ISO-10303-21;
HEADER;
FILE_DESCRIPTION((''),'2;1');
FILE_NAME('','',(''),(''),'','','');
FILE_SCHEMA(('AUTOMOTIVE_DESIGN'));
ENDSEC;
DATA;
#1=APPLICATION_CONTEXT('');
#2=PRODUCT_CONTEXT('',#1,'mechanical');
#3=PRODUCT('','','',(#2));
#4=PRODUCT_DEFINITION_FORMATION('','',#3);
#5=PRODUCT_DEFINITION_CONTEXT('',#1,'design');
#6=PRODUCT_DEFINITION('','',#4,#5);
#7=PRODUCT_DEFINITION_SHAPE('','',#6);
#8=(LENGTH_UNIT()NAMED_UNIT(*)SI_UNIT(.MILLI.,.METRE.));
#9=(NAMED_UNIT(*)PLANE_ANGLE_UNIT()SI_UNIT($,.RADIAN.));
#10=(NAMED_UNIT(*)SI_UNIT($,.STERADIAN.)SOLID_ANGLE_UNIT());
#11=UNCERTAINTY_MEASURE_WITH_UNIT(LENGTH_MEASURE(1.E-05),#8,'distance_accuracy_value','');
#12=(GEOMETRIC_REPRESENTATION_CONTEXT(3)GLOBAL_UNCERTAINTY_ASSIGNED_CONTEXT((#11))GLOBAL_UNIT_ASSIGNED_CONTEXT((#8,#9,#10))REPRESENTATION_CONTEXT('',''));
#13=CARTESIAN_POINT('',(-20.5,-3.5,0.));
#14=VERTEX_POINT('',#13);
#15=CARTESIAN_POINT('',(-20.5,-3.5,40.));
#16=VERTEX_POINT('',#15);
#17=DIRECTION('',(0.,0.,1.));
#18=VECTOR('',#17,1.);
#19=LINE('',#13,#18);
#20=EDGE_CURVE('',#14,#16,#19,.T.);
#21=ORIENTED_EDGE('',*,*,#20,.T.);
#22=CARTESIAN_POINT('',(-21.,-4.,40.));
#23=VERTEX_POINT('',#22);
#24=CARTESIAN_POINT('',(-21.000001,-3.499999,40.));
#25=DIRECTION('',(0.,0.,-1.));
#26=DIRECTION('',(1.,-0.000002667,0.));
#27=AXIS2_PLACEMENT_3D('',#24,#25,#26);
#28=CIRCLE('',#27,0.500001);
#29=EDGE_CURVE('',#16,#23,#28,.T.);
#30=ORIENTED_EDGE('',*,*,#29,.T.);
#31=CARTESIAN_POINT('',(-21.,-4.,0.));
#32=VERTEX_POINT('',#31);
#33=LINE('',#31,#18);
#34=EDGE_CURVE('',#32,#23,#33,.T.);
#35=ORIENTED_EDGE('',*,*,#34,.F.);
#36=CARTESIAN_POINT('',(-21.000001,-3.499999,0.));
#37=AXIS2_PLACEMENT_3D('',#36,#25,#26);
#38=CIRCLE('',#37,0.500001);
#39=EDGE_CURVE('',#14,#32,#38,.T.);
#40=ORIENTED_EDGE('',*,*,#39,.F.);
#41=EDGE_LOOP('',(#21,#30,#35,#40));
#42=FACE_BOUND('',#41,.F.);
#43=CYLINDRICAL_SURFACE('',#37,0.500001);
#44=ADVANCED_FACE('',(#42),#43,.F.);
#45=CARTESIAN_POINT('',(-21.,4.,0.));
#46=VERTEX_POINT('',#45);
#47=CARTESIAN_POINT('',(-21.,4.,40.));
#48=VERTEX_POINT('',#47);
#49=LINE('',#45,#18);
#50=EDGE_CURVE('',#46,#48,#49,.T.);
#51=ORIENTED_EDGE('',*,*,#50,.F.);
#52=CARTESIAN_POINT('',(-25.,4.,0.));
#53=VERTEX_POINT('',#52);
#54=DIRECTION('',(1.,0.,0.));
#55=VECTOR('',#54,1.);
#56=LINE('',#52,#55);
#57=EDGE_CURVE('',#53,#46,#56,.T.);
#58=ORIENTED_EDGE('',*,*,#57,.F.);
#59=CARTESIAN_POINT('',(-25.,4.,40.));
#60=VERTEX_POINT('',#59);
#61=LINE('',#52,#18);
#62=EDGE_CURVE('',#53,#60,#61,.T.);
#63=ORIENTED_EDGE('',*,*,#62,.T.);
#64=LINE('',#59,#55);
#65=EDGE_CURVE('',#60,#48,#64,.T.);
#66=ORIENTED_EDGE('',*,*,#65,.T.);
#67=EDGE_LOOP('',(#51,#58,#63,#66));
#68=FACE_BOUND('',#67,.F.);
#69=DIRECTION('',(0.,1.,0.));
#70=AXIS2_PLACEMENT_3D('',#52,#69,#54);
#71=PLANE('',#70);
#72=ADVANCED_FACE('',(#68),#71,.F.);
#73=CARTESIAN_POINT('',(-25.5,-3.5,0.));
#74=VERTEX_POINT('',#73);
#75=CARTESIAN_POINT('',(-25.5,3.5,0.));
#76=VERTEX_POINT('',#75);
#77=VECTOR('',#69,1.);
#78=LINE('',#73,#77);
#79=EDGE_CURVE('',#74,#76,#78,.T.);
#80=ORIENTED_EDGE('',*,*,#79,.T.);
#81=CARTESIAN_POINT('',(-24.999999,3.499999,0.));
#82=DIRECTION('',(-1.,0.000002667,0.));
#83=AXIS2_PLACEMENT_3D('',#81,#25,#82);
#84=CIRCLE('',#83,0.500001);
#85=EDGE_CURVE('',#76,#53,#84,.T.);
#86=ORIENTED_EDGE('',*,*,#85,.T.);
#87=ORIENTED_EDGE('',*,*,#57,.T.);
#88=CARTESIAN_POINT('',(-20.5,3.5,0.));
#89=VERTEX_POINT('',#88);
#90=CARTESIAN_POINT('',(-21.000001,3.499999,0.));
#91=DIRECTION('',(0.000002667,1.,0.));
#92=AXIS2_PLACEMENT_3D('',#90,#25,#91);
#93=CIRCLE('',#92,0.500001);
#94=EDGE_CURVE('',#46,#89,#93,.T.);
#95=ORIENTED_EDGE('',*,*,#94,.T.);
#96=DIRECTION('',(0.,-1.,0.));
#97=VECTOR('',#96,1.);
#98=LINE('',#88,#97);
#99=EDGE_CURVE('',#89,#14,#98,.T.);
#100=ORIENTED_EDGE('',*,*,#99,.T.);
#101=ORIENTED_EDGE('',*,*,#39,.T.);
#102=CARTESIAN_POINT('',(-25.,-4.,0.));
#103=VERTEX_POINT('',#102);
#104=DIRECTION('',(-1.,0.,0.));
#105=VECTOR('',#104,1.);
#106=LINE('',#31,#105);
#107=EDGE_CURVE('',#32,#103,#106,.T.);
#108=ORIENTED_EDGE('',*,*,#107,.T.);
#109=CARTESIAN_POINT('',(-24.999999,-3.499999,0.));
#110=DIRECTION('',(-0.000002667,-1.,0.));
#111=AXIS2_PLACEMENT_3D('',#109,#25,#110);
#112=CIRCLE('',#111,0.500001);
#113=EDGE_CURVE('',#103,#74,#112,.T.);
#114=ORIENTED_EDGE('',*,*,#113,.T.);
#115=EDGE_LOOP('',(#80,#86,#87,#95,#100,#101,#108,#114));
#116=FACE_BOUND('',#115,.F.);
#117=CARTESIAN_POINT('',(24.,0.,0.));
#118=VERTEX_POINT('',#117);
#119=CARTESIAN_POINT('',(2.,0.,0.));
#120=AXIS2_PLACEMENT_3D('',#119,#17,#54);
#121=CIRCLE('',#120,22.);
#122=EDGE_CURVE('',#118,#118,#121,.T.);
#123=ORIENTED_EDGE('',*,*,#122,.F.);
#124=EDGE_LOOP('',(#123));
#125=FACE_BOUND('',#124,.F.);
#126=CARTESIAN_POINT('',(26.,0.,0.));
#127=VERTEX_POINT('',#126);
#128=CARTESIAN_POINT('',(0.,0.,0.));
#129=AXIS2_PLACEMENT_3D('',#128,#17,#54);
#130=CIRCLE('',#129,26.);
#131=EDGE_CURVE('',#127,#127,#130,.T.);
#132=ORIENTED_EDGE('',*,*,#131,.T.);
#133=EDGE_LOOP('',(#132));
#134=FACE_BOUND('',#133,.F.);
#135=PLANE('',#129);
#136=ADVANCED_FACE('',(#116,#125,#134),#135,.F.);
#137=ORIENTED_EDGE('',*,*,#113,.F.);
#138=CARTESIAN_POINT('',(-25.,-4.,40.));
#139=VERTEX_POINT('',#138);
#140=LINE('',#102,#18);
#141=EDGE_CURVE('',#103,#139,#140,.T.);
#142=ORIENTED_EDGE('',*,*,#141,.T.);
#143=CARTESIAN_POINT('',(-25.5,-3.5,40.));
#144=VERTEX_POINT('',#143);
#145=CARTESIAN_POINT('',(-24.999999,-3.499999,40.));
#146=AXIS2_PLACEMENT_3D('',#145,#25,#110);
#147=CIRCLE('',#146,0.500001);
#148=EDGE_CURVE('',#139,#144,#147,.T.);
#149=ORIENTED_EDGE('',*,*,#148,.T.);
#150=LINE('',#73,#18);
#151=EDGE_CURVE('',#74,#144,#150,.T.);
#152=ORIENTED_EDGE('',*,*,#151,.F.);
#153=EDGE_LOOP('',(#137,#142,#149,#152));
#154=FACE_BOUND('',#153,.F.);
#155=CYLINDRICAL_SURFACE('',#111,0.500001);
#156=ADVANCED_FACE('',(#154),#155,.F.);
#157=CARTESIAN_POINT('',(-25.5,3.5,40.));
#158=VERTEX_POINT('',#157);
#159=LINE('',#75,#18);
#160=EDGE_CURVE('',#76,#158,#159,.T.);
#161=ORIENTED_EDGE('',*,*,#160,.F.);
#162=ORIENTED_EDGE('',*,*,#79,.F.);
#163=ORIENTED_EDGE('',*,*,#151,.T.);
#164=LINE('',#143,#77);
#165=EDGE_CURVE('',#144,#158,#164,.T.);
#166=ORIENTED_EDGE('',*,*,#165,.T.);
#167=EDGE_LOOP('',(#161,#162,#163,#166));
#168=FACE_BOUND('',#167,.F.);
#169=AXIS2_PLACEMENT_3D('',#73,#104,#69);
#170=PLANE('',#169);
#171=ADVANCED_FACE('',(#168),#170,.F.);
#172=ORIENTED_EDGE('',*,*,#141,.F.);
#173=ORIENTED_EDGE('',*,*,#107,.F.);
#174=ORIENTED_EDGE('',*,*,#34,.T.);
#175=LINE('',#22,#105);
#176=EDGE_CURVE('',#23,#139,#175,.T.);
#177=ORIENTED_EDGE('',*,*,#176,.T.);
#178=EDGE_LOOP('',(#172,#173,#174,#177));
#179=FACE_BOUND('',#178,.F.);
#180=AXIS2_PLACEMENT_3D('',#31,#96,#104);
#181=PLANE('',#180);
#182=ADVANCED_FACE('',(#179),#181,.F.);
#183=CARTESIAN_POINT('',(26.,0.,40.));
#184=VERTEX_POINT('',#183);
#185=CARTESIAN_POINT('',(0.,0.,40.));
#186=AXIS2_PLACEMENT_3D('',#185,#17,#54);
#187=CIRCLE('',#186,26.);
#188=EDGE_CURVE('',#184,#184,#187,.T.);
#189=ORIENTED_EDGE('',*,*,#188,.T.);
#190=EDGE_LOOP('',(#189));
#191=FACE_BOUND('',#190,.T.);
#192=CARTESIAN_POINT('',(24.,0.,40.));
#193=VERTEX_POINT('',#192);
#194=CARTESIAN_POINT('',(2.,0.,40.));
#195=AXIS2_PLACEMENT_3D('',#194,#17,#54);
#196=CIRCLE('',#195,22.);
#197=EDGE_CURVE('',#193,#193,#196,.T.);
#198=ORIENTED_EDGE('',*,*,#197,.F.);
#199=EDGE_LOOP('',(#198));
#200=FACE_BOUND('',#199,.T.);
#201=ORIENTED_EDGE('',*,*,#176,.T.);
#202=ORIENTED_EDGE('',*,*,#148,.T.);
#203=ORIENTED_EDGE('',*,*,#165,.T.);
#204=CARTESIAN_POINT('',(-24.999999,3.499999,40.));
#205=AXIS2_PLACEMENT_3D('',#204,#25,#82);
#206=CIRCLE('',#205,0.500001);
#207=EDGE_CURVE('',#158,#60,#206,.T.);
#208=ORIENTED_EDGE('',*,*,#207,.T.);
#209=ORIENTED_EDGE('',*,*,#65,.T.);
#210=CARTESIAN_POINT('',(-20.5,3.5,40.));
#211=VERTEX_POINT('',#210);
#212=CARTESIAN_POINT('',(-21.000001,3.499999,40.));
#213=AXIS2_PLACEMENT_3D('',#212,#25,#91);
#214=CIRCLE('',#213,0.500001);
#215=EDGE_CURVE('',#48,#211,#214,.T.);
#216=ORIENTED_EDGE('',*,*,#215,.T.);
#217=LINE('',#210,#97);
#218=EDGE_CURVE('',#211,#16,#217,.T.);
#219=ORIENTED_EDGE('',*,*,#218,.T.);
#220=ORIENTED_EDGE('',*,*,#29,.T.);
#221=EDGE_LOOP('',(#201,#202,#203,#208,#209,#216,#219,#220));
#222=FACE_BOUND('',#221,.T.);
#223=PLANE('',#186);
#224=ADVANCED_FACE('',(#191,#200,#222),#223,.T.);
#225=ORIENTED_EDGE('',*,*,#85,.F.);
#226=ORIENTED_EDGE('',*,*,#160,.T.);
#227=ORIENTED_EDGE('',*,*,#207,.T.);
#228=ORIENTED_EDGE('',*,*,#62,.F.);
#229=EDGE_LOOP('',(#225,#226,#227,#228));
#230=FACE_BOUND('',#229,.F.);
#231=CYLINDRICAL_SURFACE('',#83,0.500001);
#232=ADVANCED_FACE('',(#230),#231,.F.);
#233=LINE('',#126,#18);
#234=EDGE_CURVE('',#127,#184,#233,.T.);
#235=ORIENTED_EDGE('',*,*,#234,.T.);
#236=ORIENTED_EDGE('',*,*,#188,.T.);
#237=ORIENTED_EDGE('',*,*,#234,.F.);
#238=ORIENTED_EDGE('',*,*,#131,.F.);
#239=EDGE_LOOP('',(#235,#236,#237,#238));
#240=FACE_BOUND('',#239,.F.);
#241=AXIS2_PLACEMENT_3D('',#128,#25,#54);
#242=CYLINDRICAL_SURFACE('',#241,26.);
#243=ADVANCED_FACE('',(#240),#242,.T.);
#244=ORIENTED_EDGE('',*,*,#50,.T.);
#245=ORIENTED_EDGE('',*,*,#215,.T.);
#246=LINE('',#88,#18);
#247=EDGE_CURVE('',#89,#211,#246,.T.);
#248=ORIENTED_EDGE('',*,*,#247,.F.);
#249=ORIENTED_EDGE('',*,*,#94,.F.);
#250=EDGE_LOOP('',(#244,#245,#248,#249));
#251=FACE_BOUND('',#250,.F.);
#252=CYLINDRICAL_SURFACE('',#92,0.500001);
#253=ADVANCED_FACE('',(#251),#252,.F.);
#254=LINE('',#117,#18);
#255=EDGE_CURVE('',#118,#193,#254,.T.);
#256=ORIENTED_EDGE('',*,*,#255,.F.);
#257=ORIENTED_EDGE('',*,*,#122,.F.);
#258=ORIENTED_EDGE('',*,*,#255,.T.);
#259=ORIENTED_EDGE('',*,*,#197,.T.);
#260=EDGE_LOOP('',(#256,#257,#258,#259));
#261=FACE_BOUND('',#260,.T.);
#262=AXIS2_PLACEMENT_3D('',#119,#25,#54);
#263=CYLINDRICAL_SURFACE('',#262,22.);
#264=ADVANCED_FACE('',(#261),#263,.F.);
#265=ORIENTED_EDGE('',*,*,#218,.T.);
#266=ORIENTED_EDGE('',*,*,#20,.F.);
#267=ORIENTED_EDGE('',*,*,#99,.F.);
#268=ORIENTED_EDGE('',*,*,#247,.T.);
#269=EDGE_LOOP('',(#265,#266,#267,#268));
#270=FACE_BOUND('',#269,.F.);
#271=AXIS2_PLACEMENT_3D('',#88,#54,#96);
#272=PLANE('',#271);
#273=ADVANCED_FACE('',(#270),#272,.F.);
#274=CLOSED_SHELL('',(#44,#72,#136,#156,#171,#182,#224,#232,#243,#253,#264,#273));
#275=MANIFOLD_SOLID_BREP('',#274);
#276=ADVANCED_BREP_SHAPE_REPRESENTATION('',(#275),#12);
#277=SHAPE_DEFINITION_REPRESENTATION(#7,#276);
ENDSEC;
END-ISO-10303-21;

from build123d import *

# Parameters (mm, degrees)
F0_R     = 26
F0_R_2   = 22
F1_DEPTH = 40


with BuildPart() as f1:
    # F0 (on Top) → F1 (new body)
    with BuildSketch(Plane.XY):
        Circle(F0_R)
        with BuildLine():
            ThreePointArc((-20.5, -3.5), (-20.646447, -3.853553), (-21, -4))
            Line((-21, -4), (-25, -4))
            ThreePointArc((-25, -4), (-25.353553, -3.853553), (-25.5, -3.5))
            Line((-25.5, -3.5), (-25.5, 3.5))
            ThreePointArc((-25.5, 3.5), (-25.353553, 3.853553), (-25, 4))
            Line((-25, 4), (-21, 4))
            ThreePointArc((-21, 4), (-20.646447, 3.853553), (-20.5, 3.5))
            Line((-20.5, 3.5), (-20.5, -3.5))
        make_face(mode=Mode.SUBTRACT)
        with Locations((2, 0)):
            Circle(F0_R_2, mode=Mode.SUBTRACT)
    extrude(amount=F1_DEPTH)


solid = f1.part
